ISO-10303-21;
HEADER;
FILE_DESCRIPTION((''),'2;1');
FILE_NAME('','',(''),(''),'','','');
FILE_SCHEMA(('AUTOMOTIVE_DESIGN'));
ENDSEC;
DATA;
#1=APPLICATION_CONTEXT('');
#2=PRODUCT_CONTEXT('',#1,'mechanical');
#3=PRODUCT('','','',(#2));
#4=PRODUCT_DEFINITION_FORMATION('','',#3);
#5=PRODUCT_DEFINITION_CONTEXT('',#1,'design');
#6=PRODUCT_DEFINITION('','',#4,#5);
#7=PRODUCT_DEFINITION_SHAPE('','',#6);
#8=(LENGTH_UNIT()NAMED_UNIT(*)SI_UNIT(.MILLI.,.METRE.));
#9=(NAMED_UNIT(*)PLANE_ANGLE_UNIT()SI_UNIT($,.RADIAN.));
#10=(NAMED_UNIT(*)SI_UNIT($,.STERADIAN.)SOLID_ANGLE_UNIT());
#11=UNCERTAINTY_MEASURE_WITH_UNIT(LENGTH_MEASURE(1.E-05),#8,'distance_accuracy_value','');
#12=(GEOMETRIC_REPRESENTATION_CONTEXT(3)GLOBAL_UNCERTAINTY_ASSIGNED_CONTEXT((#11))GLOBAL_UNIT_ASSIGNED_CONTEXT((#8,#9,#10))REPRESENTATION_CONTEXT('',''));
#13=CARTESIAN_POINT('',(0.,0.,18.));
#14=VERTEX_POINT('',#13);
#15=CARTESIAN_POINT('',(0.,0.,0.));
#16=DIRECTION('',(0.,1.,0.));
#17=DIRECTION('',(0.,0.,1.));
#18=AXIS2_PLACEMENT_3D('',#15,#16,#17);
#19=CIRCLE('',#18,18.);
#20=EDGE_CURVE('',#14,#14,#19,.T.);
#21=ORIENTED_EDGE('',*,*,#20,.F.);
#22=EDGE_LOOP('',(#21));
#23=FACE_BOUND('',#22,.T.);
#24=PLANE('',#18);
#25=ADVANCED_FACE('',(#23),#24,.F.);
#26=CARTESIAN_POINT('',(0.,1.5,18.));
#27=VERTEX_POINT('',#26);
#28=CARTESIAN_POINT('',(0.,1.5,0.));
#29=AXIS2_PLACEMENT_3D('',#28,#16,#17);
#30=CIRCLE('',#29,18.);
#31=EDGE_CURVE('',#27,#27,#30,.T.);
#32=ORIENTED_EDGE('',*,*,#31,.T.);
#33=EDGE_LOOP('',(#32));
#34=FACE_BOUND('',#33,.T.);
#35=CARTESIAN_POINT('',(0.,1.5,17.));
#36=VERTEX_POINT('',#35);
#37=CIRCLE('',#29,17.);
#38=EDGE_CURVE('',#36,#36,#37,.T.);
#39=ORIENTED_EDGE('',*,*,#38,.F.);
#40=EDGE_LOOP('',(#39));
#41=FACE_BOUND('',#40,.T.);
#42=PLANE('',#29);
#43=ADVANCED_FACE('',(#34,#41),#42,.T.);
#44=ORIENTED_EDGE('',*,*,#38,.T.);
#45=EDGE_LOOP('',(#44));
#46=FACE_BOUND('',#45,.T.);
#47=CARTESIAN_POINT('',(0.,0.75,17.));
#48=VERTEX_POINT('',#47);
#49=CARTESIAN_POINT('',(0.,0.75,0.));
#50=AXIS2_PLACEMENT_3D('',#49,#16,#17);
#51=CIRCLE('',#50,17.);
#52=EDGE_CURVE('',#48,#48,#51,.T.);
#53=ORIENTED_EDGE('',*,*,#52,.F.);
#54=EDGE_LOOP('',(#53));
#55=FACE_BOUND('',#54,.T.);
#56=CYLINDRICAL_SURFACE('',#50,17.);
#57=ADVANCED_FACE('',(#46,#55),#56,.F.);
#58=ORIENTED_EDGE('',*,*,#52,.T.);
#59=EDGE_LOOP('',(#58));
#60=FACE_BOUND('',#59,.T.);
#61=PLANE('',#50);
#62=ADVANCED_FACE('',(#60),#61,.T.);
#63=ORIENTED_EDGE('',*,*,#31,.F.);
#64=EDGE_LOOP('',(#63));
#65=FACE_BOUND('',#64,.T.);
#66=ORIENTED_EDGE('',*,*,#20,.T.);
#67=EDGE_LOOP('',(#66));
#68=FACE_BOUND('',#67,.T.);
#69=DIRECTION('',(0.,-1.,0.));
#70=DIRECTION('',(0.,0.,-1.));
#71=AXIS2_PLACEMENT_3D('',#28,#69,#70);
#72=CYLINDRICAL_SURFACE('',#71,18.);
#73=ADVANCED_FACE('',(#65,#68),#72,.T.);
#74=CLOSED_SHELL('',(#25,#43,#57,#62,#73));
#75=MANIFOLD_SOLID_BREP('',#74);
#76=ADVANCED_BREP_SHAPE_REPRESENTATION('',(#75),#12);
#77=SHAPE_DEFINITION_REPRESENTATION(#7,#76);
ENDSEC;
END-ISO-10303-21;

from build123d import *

# Parameters (mm, degrees)
SKETCH1_R           = 18
BOSS_EXTRUDE1_DEPTH = 1.5
SKETCH2_R           = 17
CUT_EXTRUDE1_DEPTH  = 0.75


with BuildPart() as part:
    # Sketch1 → Boss-Extrude1 (new body)
    with BuildSketch(Plane(origin=(0, 0, 0), x_dir=(1, 0, 0), z_dir=(0, 1, 0))):
        with Locations(Location((0, 0, 0), (0, 0, 270))):
            Circle(SKETCH1_R)
    extrude(amount=BOSS_EXTRUDE1_DEPTH)

    # Sketch2 → Cut-Extrude1 (cut)
    with BuildSketch(Plane(origin=(0, 1.5, 0), x_dir=(1, 0, 0), z_dir=(0, 1, 0))):
        with Locations(Location((0, 0, 0), (0, 0, 270))):
            Circle(SKETCH2_R)
    extrude(amount=-CUT_EXTRUDE1_DEPTH, mode=Mode.SUBTRACT)


solid = part.part
